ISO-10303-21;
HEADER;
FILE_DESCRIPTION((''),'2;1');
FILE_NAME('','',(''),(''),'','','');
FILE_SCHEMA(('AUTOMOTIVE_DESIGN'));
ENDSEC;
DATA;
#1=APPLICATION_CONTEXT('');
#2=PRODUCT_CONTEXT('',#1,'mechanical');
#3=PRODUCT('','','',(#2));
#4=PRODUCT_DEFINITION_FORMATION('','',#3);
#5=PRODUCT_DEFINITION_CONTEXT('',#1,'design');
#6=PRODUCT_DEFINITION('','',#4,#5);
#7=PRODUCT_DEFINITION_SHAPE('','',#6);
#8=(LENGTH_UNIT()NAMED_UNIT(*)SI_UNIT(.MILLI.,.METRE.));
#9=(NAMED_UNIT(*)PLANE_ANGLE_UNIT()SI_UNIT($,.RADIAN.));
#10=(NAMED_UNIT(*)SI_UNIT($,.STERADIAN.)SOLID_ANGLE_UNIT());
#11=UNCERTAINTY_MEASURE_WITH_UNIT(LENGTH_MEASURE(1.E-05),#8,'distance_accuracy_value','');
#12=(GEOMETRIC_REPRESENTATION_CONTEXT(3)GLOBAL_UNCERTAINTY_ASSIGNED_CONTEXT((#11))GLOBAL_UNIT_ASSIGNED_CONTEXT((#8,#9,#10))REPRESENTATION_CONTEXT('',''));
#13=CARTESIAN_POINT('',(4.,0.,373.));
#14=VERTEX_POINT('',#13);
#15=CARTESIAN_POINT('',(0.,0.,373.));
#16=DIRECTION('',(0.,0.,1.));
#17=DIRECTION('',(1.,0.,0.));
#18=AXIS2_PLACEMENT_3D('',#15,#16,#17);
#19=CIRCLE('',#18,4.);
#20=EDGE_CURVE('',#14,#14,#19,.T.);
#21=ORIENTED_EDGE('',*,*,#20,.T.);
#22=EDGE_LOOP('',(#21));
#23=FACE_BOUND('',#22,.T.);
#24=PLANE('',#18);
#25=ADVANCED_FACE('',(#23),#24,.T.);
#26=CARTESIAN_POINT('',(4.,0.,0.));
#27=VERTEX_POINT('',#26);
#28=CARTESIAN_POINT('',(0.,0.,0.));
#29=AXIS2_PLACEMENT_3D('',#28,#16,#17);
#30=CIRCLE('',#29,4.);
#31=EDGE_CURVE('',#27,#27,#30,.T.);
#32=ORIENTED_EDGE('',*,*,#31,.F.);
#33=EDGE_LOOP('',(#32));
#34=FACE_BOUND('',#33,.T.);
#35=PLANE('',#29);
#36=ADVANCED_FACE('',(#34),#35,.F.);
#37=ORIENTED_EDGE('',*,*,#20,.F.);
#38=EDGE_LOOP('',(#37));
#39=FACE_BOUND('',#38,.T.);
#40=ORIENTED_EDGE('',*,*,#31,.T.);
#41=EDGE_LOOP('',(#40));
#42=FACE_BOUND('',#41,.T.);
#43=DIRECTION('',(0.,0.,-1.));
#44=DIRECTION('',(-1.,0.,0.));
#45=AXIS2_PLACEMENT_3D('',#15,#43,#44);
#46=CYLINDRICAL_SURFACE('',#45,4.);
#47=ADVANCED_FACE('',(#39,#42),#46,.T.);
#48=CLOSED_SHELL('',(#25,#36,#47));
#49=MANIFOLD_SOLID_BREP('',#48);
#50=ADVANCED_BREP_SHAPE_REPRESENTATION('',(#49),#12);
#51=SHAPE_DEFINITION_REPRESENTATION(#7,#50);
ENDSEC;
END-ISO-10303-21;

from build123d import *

# Parameters (mm, degrees)
ESBO_O1_R                = 4
RESSALTO_EXTRUS_O1_DEPTH = 373


with BuildPart() as part:
    # Esboço1 → Ressalto-extrusão1 (new body)
    with BuildSketch(Plane.XY):
        Circle(ESBO_O1_R)
    extrude(amount=RESSALTO_EXTRUS_O1_DEPTH)


solid = part.part
